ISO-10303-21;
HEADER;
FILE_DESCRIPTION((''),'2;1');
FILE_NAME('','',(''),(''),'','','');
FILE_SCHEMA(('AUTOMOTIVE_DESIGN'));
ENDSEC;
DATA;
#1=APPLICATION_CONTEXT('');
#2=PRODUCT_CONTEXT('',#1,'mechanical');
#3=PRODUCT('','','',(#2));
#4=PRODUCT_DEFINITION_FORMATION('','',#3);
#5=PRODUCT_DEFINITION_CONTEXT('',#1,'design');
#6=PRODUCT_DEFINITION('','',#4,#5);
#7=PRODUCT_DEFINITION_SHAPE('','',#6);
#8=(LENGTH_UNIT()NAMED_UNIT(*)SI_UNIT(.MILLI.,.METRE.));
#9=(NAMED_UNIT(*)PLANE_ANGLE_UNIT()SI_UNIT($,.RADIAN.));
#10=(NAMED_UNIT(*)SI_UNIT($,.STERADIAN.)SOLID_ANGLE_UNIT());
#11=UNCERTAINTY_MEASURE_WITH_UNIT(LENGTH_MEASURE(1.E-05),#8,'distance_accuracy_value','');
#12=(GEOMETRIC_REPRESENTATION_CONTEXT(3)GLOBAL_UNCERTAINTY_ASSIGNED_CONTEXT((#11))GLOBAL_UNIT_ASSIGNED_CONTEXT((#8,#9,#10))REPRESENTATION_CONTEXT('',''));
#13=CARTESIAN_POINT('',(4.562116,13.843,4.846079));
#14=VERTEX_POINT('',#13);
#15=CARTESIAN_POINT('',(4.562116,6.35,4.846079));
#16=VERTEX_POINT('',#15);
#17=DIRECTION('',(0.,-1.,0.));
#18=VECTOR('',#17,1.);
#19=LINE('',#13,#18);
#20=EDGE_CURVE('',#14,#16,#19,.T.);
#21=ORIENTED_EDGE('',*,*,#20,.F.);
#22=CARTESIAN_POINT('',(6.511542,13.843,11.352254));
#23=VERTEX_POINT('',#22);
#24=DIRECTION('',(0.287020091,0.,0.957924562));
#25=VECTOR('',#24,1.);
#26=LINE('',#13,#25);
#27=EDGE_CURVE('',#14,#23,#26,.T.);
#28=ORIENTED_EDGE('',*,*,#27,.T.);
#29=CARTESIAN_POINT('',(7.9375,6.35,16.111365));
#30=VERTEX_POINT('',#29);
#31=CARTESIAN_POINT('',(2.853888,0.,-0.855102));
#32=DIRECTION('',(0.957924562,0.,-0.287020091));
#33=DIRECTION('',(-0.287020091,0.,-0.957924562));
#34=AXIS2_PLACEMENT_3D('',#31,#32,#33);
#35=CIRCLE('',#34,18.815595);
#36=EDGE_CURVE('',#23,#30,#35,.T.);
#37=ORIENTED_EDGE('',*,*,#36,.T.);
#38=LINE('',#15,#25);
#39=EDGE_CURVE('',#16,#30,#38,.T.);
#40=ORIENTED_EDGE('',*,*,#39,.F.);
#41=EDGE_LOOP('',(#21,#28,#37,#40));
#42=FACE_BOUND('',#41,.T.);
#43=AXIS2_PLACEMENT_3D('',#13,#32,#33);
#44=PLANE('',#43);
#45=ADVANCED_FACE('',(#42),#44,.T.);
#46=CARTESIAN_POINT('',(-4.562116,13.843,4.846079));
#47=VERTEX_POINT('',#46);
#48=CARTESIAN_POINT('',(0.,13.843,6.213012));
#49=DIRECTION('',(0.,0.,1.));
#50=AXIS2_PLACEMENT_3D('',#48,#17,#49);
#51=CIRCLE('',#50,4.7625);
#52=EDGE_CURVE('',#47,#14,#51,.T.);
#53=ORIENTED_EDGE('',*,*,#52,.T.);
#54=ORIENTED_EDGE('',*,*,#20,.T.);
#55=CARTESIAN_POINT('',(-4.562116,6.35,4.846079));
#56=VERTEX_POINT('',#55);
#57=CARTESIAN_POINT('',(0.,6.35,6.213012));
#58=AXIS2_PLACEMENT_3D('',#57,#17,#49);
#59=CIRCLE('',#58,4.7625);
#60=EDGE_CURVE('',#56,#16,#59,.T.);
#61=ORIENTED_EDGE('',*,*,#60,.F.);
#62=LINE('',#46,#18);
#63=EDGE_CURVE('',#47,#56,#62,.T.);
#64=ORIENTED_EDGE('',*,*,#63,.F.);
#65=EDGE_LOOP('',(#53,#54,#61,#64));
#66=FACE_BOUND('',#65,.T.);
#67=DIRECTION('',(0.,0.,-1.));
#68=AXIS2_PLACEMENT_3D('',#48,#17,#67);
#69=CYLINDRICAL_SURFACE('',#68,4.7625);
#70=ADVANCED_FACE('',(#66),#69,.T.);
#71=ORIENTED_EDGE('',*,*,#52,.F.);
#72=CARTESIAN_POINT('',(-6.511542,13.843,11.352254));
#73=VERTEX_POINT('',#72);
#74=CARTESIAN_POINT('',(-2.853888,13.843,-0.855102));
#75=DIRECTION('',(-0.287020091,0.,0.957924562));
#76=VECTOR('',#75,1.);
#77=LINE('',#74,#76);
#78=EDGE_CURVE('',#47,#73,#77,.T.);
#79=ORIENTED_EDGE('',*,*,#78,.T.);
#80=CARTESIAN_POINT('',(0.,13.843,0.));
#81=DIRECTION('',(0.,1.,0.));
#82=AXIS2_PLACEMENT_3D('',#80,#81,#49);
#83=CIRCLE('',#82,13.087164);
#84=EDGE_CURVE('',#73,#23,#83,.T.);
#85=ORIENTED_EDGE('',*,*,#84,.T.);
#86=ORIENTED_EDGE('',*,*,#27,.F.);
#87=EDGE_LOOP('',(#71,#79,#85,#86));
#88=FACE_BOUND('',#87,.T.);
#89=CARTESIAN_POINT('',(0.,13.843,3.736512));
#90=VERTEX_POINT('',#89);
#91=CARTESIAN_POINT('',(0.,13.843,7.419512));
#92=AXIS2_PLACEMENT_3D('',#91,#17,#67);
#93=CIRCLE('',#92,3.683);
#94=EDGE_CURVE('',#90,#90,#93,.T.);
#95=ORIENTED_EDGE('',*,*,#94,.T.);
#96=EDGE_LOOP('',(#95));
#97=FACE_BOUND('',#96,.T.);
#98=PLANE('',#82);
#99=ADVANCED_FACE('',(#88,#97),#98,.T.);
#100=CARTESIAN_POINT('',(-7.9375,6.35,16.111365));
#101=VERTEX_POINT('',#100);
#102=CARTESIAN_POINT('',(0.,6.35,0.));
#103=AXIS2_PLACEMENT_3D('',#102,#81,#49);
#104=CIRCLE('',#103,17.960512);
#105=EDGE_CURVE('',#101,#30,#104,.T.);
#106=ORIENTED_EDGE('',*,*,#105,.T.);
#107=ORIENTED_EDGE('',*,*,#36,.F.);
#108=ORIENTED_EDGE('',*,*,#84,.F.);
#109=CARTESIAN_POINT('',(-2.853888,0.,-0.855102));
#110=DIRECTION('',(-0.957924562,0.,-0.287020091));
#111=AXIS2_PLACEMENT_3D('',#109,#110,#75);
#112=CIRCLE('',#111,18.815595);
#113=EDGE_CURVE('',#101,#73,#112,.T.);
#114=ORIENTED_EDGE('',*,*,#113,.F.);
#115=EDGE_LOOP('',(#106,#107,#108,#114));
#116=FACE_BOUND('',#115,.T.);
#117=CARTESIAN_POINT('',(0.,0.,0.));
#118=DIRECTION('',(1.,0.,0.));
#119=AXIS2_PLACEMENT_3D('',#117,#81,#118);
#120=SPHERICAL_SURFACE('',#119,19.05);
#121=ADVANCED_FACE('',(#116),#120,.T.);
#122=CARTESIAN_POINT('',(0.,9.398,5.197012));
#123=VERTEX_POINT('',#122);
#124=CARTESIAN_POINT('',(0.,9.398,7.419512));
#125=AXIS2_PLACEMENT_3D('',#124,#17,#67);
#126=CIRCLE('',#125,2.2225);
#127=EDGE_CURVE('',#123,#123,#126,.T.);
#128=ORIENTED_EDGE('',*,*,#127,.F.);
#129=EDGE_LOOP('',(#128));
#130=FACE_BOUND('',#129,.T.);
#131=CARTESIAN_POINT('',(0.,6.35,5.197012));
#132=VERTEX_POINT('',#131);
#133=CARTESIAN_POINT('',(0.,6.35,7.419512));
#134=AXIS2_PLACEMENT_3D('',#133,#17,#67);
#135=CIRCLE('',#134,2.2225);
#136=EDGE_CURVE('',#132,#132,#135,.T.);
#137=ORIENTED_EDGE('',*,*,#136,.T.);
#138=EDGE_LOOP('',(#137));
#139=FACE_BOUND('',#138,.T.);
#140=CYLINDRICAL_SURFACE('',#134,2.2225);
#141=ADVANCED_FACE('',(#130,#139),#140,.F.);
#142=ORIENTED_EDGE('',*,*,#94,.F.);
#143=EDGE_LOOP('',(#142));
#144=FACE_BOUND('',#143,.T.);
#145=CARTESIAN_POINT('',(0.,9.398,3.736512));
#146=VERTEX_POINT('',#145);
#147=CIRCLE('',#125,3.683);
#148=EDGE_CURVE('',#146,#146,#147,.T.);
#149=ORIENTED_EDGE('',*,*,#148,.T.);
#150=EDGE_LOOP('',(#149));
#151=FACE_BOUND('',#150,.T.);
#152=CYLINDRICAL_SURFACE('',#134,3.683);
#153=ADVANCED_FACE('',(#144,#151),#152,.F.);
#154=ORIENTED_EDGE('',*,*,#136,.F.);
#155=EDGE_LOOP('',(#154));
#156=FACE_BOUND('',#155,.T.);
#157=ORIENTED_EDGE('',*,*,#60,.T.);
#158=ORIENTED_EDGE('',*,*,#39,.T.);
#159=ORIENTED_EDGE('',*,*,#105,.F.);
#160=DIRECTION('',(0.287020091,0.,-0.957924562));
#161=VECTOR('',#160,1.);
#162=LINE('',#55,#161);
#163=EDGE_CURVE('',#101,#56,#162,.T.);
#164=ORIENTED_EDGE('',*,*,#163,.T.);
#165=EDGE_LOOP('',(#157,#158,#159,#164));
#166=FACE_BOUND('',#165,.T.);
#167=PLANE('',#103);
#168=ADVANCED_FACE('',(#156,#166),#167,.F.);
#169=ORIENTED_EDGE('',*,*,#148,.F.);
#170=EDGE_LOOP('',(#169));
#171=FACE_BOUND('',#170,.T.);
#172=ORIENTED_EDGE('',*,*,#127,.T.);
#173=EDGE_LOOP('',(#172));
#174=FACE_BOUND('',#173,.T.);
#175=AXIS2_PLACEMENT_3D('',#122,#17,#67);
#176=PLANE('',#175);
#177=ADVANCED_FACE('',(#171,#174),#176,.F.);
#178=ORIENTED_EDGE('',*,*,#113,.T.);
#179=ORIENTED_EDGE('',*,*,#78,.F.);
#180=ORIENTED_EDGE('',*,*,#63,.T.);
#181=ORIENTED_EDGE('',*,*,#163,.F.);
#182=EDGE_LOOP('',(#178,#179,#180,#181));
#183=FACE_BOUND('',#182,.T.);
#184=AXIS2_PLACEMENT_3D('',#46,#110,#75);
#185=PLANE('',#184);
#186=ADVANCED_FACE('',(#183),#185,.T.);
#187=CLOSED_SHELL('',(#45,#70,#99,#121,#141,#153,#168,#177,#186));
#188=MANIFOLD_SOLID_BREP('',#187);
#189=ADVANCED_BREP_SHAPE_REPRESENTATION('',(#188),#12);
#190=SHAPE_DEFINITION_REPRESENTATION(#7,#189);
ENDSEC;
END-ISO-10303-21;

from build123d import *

# Parameters (mm, degrees)
CUT_EXTRUDE1_DEPTH = 8.493


with BuildPart() as part:
    # Sketch1 → Revolve1 (revolve)
    with BuildSketch(Plane.XY):
        with BuildLine():
            Line((0, 0), (19.05, 0))
            ThreePointArc((19.05, 0), (13.470384182, 13.470384182), (0, 19.05))
            Line((0, 19.05), (0, 0))
        make_face()
    revolve(axis=Axis((0, 19.05, 0), (0, -1, 0)))

    # SurfaceCut1
    split(bisect_by=Plane(origin=(0, 13.843, 0), x_dir=(-1, 0, 0), z_dir=(0, 1, 0)), keep=Keep.BOTTOM)

    # SurfaceCut2
    split(bisect_by=Plane(origin=(0, 6.35, 0), x_dir=(-1, 0, 0), z_dir=(0, 1, 0)), keep=Keep.TOP)

    # Sketch2 → Cut-Extrude1 (cut, through all)
    with BuildSketch(Plane(origin=(0, 6.35, 0), x_dir=(-1, 0, 0), z_dir=(0, 1, 0))):
        with BuildLine():
            Line((4.562115728, 4.846079058), (7.9375, 16.11136536))
            ThreePointArc((7.9375, 16.11136536), (0, -17.960512242), (-7.9375, 16.11136536))
            Line((-7.9375, 16.11136536), (-4.562115728, 4.846079058))
            ThreePointArc((-4.562115728, 4.846079058), (0, 1.450512242), (4.562115728, 4.846079058))
        make_face()
    extrude(amount=CUT_EXTRUDE1_DEPTH, mode=Mode.SUBTRACT)

    # Sketch4 → Cut-Revolve1 (revolve, cut)
    with BuildSketch(Plane(origin=(0, 0, 0), x_dir=(0, 0, -1), z_dir=(1, 0, 0))):
        Polygon((-7.419512242, 13.843), (-7.419512242, 6.35), (-5.197012242, 6.35), (-5.197012242, 9.398), (-3.736512242, 9.398), (-3.736512242, 13.843), align=None)
    revolve(axis=Axis((0, 6.35, 7.419512242), (0, 1, 0)), mode=Mode.SUBTRACT)


solid = part.part
